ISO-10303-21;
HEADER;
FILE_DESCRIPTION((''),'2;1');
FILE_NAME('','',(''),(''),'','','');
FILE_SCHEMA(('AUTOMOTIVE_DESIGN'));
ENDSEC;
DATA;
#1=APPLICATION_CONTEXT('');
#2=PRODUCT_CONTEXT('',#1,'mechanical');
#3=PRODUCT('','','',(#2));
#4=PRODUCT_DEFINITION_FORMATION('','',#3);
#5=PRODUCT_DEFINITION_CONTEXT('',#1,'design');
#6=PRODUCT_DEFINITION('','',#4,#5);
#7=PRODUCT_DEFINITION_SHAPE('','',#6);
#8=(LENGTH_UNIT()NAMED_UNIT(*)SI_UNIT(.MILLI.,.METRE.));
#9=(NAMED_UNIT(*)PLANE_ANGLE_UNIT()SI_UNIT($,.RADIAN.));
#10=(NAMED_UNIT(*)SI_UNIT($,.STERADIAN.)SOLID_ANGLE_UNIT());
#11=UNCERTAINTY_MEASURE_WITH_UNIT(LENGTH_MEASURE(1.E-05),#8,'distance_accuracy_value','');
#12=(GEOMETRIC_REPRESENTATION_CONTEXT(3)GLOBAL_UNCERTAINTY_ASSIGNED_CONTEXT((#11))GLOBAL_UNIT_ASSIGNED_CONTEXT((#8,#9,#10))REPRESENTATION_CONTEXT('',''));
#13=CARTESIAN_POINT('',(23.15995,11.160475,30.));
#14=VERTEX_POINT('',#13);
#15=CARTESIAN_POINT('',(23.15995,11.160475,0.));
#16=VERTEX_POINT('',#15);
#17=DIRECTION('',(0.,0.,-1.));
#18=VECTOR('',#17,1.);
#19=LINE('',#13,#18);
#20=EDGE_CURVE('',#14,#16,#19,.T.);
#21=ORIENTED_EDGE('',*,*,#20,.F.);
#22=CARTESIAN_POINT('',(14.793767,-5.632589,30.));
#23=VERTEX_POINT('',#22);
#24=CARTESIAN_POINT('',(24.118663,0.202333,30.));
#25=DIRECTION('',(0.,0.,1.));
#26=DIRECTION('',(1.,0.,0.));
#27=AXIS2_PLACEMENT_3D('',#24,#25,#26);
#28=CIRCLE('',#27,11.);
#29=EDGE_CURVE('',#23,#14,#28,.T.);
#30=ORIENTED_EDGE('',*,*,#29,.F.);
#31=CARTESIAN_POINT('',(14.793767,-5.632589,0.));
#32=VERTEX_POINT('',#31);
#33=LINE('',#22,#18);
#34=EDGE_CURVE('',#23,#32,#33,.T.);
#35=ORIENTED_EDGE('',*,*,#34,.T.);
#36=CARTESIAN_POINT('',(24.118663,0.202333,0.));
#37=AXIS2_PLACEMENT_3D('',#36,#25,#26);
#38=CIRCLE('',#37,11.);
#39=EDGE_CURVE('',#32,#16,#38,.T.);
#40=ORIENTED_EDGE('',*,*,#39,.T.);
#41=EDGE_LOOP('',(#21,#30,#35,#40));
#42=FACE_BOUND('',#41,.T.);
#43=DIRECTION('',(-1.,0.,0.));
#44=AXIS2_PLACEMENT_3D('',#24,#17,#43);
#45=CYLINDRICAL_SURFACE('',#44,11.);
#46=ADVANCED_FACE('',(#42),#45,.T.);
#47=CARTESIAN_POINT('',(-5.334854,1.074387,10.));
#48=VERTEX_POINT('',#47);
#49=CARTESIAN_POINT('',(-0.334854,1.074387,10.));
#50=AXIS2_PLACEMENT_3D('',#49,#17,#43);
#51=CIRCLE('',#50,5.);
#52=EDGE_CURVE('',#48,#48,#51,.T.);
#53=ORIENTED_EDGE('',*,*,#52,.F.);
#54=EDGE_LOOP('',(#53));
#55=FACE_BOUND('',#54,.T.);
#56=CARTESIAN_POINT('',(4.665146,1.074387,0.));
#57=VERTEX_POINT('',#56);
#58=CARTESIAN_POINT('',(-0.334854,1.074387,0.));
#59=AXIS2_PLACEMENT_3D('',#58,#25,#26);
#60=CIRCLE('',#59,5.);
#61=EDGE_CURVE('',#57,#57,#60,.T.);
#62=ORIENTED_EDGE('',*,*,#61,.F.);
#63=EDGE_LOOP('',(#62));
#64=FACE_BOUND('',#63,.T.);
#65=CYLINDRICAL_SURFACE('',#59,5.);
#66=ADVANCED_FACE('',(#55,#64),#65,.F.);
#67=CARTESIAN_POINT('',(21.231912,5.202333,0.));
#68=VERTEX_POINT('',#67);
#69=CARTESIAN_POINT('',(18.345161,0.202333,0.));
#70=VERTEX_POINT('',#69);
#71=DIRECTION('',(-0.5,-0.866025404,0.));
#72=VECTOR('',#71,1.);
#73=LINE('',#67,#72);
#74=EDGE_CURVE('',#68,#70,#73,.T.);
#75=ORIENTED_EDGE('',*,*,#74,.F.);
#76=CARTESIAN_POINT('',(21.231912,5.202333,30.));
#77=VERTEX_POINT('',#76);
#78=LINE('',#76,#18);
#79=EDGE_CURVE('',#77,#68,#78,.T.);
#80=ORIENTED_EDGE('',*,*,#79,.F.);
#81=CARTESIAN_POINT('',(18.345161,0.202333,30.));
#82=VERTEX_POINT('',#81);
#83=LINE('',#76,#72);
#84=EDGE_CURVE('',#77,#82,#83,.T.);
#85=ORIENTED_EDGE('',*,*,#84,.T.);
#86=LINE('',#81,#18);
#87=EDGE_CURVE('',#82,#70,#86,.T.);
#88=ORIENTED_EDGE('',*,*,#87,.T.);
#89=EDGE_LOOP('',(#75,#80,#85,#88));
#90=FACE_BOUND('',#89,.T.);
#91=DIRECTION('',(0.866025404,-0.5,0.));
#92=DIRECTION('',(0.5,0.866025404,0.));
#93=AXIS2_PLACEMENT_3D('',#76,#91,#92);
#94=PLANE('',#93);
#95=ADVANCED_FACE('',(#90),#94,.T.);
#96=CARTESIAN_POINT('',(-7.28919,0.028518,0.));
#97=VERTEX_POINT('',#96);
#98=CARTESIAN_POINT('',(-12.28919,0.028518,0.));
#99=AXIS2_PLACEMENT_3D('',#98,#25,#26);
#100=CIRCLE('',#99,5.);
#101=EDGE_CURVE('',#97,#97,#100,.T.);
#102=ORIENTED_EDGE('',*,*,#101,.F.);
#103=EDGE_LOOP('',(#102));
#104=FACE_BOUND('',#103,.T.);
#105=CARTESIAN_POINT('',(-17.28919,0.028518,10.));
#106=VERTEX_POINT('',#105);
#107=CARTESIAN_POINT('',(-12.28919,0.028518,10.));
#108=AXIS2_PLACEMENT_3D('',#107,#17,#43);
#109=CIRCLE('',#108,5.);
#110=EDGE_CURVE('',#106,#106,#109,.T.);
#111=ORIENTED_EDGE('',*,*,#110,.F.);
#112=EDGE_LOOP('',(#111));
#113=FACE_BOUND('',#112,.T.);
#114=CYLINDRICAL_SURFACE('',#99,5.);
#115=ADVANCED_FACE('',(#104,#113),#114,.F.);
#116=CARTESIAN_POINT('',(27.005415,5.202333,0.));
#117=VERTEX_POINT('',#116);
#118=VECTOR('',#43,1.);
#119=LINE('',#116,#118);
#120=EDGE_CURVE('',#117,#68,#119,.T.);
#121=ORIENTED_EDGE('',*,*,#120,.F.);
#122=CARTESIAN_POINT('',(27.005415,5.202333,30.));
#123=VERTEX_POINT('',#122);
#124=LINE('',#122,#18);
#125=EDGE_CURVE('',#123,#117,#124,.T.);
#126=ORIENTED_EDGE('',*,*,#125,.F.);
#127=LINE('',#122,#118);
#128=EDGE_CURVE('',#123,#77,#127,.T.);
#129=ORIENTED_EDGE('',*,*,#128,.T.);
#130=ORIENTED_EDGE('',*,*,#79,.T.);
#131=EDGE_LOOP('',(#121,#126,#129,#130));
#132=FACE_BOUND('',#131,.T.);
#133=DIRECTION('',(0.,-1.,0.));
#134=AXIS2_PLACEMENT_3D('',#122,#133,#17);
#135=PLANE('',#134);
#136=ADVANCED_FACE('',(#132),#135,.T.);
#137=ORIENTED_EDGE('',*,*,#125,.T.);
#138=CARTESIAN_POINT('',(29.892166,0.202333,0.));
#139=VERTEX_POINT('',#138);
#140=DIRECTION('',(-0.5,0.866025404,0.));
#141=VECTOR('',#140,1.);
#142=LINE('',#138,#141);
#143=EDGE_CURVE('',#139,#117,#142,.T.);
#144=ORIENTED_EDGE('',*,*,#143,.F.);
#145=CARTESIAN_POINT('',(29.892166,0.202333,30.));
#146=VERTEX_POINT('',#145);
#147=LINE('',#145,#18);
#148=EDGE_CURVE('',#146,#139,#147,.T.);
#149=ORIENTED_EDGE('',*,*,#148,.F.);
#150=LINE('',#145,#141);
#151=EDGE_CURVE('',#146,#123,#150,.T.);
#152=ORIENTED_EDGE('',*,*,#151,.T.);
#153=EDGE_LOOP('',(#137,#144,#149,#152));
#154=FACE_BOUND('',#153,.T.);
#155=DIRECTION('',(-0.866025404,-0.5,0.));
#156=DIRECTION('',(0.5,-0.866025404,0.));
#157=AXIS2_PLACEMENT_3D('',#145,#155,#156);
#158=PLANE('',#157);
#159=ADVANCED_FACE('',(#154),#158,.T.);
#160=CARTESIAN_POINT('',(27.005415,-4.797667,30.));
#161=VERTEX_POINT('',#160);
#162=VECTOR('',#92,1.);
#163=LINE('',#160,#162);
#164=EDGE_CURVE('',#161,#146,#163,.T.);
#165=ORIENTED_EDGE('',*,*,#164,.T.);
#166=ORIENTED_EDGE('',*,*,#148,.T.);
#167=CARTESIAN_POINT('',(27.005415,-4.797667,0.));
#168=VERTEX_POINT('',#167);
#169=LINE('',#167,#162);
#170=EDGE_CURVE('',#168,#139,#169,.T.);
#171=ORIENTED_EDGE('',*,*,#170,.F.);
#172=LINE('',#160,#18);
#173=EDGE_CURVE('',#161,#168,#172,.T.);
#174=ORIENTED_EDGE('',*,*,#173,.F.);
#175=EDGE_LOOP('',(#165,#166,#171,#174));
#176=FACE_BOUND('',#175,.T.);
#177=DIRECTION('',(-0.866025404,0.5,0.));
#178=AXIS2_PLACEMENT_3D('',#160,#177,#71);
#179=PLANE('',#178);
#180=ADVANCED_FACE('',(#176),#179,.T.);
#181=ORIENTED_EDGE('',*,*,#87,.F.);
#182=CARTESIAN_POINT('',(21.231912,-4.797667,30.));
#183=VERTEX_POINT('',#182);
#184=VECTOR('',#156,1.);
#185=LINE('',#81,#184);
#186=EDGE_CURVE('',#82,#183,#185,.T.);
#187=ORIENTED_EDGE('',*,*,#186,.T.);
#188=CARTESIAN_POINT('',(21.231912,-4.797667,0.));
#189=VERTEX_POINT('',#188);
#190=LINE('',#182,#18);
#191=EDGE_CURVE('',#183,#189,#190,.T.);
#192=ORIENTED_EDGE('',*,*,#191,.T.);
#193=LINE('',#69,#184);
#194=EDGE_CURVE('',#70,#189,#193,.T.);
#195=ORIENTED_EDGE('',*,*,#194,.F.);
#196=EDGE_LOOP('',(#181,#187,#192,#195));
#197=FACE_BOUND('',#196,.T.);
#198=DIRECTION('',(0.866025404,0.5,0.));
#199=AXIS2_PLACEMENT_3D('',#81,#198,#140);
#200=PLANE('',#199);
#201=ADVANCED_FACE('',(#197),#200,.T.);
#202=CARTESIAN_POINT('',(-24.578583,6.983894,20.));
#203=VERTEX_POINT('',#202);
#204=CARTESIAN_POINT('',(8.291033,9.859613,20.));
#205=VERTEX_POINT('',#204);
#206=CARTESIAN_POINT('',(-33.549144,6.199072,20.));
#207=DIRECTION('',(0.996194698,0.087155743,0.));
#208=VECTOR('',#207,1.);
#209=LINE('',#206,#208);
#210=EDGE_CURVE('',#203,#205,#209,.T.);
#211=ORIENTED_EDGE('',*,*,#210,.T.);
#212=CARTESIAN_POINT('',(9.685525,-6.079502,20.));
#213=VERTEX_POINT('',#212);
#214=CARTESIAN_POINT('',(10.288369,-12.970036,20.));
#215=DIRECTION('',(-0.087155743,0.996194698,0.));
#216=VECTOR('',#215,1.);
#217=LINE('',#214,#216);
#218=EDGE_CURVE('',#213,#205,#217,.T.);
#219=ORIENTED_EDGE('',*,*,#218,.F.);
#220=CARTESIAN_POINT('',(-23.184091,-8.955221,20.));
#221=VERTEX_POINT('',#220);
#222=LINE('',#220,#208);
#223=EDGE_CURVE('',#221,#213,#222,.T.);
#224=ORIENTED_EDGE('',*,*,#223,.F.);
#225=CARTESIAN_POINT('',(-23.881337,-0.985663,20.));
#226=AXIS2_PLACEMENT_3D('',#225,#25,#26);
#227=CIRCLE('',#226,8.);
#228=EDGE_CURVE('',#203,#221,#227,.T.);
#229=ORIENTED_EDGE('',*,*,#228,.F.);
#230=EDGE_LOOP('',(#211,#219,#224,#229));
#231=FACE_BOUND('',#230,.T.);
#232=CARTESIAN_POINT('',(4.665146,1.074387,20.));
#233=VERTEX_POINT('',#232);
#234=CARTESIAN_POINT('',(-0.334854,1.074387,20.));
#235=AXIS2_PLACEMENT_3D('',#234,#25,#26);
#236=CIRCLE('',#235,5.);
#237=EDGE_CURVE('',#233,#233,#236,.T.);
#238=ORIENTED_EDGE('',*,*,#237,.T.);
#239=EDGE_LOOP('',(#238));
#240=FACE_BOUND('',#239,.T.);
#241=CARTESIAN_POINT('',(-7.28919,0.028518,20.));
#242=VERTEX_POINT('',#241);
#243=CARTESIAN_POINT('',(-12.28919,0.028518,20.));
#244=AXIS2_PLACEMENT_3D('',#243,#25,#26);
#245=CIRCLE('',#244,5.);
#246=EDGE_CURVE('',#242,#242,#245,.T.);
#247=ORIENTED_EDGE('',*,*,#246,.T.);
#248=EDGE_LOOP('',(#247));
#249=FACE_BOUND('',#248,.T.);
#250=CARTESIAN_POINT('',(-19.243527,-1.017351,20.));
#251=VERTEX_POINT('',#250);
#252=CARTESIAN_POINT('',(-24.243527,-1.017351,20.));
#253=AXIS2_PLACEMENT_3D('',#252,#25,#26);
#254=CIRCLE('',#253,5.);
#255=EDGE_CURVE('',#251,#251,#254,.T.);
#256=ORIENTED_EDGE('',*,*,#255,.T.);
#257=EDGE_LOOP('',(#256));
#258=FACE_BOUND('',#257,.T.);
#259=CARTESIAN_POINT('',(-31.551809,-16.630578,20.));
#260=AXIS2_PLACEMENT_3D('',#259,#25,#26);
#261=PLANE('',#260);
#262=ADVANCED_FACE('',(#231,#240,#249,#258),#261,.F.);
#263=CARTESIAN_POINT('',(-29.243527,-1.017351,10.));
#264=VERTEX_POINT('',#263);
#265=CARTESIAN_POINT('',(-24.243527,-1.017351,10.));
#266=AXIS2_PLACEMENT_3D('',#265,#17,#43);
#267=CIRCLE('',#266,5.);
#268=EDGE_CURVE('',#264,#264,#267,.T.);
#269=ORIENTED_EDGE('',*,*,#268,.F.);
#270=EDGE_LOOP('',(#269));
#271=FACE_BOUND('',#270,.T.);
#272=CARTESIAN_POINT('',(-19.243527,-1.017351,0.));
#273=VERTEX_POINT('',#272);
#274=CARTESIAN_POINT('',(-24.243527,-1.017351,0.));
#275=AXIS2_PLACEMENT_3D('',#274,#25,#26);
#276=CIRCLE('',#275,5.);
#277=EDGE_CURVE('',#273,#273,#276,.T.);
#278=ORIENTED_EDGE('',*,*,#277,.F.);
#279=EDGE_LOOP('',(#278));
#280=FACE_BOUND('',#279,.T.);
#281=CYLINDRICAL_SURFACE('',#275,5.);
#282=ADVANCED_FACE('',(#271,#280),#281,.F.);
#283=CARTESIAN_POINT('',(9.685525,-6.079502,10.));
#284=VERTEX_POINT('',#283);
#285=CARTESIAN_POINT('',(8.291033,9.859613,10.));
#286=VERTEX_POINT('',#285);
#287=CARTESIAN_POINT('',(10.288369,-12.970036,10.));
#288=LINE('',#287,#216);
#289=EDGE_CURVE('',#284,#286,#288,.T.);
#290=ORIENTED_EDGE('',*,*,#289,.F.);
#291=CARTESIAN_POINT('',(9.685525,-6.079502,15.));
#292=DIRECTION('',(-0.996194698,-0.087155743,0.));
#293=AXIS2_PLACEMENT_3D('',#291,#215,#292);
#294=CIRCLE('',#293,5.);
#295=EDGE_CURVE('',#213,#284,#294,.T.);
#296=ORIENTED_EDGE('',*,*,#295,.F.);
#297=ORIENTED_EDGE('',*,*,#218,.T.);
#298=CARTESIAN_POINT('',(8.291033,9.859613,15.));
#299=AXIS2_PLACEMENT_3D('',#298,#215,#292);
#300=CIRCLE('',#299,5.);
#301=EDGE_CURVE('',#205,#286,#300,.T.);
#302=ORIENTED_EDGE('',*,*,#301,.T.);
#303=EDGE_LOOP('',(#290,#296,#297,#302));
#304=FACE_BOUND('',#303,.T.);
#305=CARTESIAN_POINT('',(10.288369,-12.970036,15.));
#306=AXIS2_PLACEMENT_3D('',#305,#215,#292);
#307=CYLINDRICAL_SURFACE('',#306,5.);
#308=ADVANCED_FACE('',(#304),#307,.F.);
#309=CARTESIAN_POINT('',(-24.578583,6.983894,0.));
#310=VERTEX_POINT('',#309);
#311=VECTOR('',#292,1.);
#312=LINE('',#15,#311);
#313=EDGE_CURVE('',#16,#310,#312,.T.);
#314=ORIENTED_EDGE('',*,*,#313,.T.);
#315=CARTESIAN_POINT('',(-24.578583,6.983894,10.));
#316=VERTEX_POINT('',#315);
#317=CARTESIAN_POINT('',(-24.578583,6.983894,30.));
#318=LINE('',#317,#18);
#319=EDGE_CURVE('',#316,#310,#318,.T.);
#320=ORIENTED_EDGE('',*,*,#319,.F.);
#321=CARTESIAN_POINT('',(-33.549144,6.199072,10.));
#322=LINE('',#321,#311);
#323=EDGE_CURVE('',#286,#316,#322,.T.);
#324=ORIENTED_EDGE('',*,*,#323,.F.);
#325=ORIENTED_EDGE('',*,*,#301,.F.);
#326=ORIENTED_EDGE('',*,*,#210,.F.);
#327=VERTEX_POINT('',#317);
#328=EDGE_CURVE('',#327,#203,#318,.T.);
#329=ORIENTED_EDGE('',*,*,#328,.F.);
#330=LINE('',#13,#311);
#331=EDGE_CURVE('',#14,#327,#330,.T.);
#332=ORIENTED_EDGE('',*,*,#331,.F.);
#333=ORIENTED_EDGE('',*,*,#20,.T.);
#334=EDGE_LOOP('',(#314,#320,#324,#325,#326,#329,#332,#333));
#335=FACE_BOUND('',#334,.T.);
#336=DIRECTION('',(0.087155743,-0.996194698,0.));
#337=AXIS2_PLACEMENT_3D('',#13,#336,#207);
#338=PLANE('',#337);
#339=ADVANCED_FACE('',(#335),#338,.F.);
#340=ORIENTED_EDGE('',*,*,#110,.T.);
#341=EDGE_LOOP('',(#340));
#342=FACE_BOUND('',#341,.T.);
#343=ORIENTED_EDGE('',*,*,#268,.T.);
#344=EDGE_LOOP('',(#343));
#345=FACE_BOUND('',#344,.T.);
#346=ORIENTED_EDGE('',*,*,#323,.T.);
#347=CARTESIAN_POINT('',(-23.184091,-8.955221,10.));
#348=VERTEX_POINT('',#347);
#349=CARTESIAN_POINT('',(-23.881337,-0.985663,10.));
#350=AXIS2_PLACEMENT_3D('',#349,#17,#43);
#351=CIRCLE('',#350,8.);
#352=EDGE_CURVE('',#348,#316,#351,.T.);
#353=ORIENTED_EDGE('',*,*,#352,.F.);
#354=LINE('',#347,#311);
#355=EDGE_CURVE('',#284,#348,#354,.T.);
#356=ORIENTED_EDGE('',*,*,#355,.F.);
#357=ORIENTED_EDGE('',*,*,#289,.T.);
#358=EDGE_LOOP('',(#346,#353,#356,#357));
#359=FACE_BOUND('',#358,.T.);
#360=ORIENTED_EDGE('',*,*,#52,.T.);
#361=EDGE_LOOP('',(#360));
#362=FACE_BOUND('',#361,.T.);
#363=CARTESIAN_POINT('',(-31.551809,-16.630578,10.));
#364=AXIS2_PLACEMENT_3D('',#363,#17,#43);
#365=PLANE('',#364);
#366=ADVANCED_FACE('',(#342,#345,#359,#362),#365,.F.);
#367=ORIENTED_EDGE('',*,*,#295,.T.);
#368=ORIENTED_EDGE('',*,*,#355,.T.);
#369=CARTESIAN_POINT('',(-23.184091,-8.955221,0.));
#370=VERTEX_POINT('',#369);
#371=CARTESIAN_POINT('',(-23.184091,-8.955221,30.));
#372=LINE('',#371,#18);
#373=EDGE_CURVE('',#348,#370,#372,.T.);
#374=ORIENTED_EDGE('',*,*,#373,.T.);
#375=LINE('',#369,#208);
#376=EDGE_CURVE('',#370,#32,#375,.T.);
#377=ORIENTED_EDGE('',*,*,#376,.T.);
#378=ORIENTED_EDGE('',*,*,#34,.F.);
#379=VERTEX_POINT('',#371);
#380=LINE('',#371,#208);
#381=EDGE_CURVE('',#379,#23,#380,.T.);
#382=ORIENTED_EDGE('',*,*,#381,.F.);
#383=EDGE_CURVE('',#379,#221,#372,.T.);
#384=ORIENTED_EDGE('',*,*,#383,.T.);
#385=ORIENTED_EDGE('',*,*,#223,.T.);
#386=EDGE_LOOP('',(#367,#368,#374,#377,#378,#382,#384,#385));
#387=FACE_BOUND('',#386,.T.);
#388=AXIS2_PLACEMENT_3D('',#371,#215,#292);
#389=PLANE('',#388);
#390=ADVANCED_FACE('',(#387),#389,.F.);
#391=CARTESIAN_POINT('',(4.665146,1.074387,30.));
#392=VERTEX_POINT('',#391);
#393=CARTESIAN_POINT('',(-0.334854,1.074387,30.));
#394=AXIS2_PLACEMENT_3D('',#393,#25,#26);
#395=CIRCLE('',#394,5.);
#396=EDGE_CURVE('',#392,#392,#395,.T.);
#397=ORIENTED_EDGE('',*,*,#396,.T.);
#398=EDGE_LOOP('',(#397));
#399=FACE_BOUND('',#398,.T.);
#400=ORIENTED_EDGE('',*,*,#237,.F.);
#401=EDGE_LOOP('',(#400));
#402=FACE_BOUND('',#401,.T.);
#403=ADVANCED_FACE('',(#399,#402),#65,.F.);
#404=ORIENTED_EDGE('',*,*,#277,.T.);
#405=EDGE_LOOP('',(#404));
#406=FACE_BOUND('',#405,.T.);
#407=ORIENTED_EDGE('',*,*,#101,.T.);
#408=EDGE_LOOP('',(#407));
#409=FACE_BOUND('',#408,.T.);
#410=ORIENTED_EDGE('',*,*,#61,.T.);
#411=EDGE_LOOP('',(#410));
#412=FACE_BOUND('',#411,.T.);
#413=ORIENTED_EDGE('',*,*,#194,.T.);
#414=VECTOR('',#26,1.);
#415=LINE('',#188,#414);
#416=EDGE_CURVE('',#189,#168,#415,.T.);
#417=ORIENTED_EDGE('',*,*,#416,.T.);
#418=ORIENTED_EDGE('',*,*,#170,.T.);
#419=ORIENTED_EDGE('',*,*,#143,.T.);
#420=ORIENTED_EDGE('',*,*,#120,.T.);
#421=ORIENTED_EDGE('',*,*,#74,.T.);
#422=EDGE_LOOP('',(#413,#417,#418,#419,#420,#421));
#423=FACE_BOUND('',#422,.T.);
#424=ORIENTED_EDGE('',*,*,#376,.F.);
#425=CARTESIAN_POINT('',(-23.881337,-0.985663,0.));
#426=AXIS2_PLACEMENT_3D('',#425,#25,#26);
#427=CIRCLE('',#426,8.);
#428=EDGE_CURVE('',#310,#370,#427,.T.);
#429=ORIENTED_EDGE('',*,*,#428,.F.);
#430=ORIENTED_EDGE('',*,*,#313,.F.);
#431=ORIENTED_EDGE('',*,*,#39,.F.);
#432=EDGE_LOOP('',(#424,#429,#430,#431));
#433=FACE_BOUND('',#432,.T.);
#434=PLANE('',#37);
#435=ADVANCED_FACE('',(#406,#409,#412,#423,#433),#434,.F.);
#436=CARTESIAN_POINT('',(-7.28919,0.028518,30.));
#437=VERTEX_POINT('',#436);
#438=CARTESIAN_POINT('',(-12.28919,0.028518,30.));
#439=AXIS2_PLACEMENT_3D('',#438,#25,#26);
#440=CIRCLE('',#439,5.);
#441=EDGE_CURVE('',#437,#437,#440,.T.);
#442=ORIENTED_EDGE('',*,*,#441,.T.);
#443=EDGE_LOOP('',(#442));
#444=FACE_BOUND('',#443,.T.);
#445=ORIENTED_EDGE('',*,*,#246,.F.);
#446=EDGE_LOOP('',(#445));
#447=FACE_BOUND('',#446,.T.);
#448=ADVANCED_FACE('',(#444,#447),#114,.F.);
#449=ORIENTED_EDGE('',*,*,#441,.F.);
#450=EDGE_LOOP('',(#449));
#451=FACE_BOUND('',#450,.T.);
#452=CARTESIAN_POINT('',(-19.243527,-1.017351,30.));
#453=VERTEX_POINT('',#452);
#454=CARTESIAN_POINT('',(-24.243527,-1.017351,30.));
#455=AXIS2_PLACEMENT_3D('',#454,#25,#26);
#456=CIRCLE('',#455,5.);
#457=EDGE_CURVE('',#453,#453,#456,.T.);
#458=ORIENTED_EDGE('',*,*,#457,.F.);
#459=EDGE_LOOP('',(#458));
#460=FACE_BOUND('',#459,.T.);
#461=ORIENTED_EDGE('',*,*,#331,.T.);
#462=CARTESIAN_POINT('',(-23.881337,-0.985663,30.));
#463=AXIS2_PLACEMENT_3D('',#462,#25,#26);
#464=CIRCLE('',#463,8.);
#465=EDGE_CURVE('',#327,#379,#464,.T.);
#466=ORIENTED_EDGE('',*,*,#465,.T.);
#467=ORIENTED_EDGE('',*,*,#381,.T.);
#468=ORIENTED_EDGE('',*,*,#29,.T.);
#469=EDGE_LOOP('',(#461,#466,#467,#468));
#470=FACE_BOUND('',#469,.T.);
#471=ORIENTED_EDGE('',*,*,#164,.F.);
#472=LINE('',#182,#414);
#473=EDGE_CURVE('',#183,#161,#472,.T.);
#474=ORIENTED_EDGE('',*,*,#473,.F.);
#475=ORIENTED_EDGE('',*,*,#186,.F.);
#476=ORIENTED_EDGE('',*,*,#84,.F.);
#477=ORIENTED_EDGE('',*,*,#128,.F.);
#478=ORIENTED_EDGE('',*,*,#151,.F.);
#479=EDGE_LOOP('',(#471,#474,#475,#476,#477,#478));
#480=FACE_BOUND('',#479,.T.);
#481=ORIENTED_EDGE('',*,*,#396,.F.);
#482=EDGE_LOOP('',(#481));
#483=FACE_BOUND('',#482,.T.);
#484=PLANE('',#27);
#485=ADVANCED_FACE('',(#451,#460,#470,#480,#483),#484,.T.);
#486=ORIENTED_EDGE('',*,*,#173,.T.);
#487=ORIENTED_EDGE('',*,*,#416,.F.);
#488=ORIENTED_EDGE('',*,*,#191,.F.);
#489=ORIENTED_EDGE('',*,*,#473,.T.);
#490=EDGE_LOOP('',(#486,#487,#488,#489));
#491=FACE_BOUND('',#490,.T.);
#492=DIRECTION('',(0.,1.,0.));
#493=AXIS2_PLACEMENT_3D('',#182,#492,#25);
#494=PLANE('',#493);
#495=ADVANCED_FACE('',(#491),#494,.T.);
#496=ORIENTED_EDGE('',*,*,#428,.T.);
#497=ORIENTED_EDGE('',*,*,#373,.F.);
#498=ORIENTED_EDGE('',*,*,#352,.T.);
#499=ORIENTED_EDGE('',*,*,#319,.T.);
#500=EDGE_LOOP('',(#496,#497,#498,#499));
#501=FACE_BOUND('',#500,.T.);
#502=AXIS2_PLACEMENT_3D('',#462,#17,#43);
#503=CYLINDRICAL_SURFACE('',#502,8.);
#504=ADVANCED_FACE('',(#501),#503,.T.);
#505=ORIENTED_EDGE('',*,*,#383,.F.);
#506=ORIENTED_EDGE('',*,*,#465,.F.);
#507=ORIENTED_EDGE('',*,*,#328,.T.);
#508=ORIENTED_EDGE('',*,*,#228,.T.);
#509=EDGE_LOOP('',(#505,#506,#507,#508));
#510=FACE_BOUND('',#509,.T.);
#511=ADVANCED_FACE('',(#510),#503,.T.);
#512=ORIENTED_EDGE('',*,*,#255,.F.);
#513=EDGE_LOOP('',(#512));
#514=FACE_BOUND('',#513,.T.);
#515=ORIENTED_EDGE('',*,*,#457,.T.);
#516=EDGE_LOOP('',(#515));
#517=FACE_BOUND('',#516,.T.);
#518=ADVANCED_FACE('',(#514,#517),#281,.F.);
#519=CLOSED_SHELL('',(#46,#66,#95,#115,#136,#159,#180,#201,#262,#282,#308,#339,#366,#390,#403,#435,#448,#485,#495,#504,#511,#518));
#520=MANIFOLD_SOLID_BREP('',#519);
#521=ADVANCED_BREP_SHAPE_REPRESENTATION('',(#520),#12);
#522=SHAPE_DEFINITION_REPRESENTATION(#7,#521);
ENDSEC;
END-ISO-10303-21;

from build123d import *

# Parameters (mm, degrees)
BOSS_EXTRUDE1_DEPTH = 30
CUT_EXTRUDE1_DEPTH  = 23.916854849
SKETCH3_R           = 5
CUT_EXTRUDE2_DEPTH  = 31


with BuildPart() as part:
    # Sketch1 → Boss-Extrude1 (new body)
    with BuildSketch(Plane.XY):
        with BuildLine():
            Line((23.159950064, 11.160474583), (-24.578582707, 6.983894152))
            ThreePointArc((-24.578582707, 6.983894152), (-31.85089435, -1.682909374), (-23.184090823, -8.955221017))
            Line((-23.184090823, -8.955221017), (14.793767169, -5.632588978))
            ThreePointArc((14.793767169, -5.632588978), (33.964469482, -4.702776608), (23.159950064, 11.160474583))
        make_face()
        Polygon((27.005414581, -4.797667096), (29.892165926, 0.202332904), (27.005414581, 5.202332904), (21.231911889, 5.202332904), (18.345160543, 0.202332904), (21.231911889, -4.797667096), align=None, mode=Mode.SUBTRACT)
    extrude(amount=BOSS_EXTRUDE1_DEPTH)

    # Sketch2 → Cut-Extrude1 (cut, through all)
    with BuildSketch(Plane(origin=(-0.793072196, 9.064856678, 0), x_dir=(0.996194698, 0.087155743, 0), z_dir=(-0.087155743, 0.996194698, 0))):
        with BuildLine():
            Line((-32.881194949, -10), (9.118805051, -10))
            ThreePointArc((9.118805051, -10), (14.118805051, -15), (9.118805051, -20))
            Line((9.118805051, -20), (-32.881194949, -20))
            Line((-32.881194949, -20), (-32.881194949, -10))
        make_face()
    extrude(amount=-CUT_EXTRUDE1_DEPTH, mode=Mode.SUBTRACT)

    # Sketch3 → Cut-Extrude2 (cut, through all)
    with BuildSketch(Plane.XY.offset(30)):
        with Locations((-24.243526624, -1.017350939)):
            Circle(SKETCH3_R)
        with Locations((-12.289190247, 0.028517974)):
            Circle(SKETCH3_R)
        with Locations((-0.33485387, 1.074386887)):
            Circle(SKETCH3_R)
    extrude(amount=-CUT_EXTRUDE2_DEPTH, mode=Mode.SUBTRACT)


solid = part.part
